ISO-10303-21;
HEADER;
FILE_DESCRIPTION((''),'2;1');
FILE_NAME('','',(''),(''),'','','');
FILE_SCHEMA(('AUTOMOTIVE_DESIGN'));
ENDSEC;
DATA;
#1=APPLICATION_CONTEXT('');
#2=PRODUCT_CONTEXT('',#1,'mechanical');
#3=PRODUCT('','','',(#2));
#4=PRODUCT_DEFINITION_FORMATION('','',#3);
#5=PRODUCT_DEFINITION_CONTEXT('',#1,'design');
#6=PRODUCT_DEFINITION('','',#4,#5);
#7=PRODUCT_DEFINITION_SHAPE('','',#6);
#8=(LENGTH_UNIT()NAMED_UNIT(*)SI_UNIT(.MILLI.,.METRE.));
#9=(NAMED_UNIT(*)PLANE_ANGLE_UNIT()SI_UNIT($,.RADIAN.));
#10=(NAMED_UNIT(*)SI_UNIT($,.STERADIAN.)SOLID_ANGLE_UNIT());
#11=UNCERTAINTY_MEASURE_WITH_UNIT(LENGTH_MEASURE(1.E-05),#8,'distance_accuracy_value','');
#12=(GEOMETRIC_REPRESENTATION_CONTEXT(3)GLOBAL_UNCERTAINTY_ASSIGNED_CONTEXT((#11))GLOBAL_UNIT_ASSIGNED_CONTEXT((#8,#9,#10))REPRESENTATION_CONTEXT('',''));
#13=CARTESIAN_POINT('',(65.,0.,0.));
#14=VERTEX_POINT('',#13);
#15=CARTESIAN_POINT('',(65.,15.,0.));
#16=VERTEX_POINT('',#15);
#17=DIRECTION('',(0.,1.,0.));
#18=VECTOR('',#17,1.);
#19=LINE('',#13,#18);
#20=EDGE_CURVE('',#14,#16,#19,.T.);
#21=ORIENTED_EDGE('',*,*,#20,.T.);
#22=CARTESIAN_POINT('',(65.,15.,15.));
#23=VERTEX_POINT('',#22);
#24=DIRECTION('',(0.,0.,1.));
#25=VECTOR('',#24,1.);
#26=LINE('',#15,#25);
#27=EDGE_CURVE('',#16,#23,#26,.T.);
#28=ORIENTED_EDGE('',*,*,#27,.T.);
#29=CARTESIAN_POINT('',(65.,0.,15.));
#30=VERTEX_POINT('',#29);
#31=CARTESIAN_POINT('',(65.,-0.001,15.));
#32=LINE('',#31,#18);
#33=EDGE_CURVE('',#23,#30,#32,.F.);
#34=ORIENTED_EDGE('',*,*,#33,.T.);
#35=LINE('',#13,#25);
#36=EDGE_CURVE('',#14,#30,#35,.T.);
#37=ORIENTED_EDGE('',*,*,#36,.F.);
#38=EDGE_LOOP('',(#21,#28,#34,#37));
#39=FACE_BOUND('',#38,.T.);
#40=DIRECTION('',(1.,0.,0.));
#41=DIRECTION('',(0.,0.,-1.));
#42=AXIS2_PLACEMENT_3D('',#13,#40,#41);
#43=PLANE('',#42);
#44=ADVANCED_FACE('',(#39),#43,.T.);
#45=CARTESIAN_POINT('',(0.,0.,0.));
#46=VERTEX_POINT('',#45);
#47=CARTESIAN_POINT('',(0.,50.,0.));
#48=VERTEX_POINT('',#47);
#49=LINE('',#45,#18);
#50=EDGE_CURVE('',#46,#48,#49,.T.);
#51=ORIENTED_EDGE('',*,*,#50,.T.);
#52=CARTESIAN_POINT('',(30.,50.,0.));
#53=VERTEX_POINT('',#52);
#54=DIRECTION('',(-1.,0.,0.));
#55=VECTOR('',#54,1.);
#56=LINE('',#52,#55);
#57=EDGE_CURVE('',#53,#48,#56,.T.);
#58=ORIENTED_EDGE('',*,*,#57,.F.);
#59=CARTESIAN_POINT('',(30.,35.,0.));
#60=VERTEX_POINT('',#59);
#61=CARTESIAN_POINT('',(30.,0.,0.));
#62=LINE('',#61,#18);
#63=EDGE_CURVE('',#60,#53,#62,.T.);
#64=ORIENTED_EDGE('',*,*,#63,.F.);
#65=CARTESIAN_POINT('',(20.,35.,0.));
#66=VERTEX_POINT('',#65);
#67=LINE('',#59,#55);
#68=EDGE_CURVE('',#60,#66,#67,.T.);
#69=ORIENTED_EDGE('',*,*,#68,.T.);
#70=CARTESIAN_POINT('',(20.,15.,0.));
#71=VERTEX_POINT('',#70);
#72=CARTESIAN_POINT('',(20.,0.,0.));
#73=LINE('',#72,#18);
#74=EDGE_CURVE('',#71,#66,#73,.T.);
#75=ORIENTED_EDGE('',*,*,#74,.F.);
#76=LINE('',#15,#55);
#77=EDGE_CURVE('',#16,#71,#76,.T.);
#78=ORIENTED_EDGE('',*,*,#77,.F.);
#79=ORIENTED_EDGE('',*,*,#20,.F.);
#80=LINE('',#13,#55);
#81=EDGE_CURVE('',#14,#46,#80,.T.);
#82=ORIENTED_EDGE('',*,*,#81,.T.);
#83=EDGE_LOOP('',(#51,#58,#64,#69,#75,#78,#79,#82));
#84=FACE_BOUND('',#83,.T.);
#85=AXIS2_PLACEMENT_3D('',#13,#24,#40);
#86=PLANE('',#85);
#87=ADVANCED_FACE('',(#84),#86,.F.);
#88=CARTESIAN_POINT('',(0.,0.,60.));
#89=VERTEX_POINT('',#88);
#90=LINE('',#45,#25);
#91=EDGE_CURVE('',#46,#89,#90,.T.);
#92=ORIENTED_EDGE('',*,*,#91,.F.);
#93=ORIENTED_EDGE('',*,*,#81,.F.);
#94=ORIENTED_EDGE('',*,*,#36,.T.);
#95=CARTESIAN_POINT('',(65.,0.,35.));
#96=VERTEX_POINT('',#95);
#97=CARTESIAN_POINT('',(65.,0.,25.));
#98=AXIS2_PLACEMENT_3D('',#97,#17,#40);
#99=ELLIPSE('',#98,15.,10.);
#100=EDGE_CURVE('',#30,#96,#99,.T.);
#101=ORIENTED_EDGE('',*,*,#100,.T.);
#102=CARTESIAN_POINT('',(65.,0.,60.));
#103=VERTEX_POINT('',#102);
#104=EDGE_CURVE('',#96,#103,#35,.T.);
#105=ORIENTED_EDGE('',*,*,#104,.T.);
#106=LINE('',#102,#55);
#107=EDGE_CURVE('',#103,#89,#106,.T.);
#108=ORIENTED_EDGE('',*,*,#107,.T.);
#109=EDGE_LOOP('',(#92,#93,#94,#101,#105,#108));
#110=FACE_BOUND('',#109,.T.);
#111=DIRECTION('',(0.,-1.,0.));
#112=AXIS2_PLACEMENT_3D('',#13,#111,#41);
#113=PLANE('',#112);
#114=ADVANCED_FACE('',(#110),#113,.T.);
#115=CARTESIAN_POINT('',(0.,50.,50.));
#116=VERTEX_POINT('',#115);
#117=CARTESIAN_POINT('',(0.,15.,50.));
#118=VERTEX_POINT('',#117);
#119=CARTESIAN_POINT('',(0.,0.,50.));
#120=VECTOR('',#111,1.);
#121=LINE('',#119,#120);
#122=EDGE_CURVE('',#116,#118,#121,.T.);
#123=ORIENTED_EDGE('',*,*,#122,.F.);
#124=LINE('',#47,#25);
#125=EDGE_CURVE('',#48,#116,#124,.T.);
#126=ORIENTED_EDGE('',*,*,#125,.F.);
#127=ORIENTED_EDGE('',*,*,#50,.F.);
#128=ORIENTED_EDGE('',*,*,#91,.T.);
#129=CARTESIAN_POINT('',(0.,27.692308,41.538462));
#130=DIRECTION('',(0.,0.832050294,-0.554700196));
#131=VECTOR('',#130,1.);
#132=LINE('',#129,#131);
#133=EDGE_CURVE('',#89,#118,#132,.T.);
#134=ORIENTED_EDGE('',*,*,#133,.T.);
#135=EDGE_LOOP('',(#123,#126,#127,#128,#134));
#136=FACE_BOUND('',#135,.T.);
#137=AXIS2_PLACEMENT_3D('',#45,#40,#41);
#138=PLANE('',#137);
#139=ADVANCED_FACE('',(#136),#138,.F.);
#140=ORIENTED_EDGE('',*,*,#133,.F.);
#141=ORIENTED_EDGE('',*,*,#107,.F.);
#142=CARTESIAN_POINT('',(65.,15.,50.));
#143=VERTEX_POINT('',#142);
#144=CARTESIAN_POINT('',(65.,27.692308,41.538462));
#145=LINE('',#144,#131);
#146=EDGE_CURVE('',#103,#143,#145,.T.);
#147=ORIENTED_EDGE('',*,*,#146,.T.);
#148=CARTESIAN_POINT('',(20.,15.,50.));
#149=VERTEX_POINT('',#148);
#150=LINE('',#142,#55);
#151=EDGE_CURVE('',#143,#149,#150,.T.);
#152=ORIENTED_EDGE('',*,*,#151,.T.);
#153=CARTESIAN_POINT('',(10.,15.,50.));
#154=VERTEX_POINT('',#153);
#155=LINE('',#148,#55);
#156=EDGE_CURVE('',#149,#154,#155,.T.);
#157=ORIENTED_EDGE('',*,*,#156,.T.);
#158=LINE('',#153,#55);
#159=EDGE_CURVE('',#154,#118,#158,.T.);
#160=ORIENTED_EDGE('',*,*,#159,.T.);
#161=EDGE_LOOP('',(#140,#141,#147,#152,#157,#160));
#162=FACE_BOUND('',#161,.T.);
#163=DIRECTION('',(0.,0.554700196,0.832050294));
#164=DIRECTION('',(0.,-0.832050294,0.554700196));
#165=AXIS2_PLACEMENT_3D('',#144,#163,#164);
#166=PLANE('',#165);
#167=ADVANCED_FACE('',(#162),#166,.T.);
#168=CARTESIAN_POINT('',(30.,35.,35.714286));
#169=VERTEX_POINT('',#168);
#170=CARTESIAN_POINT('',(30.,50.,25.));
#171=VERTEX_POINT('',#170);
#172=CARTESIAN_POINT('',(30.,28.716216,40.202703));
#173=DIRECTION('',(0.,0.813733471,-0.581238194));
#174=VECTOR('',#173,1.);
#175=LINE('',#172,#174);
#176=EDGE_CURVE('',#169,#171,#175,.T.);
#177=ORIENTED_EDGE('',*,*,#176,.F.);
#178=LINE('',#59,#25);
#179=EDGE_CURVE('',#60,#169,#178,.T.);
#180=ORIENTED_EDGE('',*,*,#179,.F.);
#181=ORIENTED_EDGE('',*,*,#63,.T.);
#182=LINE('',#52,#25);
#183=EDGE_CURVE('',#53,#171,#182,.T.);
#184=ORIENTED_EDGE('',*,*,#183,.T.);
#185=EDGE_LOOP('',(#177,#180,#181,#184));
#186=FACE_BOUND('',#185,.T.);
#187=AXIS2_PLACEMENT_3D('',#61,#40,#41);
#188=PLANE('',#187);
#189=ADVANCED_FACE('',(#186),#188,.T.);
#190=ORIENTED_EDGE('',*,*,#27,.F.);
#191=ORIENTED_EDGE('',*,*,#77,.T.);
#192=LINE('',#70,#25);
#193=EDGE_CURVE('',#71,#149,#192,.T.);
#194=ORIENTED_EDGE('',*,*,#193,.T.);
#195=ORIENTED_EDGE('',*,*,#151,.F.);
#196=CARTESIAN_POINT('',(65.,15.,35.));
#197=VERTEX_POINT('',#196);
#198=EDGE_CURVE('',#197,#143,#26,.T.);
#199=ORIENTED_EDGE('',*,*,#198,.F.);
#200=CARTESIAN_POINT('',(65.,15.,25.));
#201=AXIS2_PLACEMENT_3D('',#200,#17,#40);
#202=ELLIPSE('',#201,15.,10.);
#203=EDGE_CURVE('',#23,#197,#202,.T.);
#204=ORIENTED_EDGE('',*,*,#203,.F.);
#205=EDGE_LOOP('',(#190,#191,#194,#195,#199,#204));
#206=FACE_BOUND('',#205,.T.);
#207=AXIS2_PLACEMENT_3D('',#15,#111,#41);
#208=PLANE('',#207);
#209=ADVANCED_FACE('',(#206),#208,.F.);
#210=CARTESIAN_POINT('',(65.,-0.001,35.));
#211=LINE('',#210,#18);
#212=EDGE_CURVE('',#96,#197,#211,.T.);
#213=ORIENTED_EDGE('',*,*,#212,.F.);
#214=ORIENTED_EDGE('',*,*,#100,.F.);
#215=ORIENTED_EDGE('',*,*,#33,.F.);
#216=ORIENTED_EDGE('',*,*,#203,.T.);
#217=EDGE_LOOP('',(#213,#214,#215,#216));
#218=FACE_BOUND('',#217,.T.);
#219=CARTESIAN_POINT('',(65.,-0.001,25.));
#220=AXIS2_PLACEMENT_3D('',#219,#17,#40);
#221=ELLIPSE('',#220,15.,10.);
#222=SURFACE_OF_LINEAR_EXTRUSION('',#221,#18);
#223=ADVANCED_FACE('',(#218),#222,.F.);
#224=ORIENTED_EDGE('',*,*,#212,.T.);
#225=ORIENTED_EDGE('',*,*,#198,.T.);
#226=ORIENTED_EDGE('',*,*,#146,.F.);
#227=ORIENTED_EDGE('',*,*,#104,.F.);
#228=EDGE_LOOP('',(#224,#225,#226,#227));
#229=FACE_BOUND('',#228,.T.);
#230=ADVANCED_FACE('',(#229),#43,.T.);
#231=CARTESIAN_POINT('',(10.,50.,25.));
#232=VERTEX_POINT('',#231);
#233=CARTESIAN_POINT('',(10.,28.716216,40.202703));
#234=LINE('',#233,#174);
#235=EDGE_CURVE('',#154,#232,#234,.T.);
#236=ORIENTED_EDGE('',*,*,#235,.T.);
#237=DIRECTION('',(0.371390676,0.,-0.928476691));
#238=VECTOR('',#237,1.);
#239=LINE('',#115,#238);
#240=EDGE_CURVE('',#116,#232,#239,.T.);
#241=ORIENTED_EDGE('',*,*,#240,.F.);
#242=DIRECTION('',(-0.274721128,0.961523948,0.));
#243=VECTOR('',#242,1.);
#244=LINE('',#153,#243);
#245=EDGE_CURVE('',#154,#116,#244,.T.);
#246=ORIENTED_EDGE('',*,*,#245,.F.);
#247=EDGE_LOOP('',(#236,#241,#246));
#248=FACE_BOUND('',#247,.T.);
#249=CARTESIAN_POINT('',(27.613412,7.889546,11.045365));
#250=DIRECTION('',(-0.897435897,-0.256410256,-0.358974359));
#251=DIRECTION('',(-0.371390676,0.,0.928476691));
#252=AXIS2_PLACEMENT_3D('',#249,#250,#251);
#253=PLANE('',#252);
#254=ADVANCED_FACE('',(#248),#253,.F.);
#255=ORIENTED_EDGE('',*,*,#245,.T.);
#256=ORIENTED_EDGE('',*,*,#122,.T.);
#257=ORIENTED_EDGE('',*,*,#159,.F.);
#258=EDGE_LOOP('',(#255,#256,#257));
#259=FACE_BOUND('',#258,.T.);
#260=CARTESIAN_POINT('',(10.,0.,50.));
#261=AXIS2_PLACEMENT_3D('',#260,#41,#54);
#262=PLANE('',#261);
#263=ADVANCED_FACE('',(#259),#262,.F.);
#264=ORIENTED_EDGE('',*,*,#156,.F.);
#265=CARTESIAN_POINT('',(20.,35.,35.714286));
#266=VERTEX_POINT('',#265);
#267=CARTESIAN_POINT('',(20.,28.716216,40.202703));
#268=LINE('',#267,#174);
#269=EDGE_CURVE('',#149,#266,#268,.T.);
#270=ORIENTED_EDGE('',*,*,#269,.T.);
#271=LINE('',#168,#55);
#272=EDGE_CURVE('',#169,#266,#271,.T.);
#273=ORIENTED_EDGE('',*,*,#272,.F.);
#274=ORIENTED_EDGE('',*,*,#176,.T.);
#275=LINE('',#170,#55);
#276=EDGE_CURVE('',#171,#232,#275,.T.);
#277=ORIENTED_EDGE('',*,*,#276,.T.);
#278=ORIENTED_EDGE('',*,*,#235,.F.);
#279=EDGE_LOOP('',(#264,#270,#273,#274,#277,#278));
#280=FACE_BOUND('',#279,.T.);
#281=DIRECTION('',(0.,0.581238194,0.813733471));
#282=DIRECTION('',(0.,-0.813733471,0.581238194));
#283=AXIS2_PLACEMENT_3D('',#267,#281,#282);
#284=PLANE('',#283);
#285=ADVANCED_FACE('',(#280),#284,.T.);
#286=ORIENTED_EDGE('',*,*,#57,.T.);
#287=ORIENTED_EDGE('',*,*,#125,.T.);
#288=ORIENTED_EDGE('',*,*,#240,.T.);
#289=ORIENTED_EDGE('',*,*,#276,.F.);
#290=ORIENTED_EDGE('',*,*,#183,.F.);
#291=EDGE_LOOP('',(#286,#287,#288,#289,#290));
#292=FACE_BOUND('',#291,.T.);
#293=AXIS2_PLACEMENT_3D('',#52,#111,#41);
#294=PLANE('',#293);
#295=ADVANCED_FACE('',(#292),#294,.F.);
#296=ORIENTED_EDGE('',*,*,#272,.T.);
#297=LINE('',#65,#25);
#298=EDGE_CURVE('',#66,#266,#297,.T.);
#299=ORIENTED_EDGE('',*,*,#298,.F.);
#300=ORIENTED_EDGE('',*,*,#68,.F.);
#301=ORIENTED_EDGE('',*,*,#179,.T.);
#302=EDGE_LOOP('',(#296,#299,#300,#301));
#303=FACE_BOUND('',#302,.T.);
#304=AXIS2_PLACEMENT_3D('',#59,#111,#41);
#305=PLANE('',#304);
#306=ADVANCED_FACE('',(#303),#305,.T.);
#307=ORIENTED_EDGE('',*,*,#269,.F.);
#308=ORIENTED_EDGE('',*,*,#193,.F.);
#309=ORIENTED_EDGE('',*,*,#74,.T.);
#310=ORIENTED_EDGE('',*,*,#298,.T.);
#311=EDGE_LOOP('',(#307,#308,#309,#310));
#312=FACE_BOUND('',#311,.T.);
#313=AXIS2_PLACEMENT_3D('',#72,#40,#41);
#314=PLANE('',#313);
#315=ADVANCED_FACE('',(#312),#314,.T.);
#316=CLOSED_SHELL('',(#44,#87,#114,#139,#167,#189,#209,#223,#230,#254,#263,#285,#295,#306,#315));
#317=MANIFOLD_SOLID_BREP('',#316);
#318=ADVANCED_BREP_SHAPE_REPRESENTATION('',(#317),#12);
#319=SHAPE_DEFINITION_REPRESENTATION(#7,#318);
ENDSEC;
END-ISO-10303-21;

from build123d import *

# Parameters (mm, degrees)
BOSS_EXTRUDE1_DEPTH = 65
BOSS_EXTRUDE2_DEPTH = 20
BOSS_EXTRUDE3_DEPTH = 30
BOSS_EXTRUDE4_DEPTH = 10
CUT_EXTRUDE1_DEPTH  = 10
CUT_EXTRUDE3_REACH  = 97.131
SKETCH3_RX          = 15
SKETCH3_RY          = 10


with BuildPart() as part:
    # Sketch1 → Boss-Extrude1 (new body)
    with BuildSketch(Plane(origin=(0, 0, 0), x_dir=(0, 0, -1), z_dir=(1, 0, 0))):
        Polygon((0, 0), (0, 15), (-50, 15), (-60, 0), align=None)
    extrude(amount=BOSS_EXTRUDE1_DEPTH)

    # Sketch1<3> → Boss-Extrude2 (add)
    with BuildSketch(Plane(origin=(0, 0, 0), x_dir=(0, 0, -1), z_dir=(1, 0, 0))):
        Polygon((-50, 15), (0, 15), (0, 35), (-35.714285714, 35), align=None)
    extrude(amount=BOSS_EXTRUDE2_DEPTH)

    # Sketch1<4> → Boss-Extrude3 (add)
    with BuildSketch(Plane(origin=(0, 0, 0), x_dir=(0, 0, -1), z_dir=(1, 0, 0))):
        Polygon((-35.714285714, 35), (0, 35), (0, 50), (-25, 50), align=None)
    extrude(amount=BOSS_EXTRUDE3_DEPTH)

    # Sketch1<5> → Boss-Extrude4 (add)
    with BuildSketch(Plane(origin=(0, 0, 0), x_dir=(0, 0, -1), z_dir=(1, 0, 0))):
        Polygon((-50, 50), (-50, 15), (-35.714285714, 35), (-25, 50), align=None)
    extrude(amount=BOSS_EXTRUDE4_DEPTH)

    # Sketch2 → Cut-Extrude1 (cut, along a direction that is not the sketch's normal)
    with BuildSketch(Plane(origin=(27.613412229, 7.889546351, 11.045364892), x_dir=(-0.3451624427428596, -0.09861784078367415, 0.9333474217026305), z_dir=(-0.8974358974358975, -0.2564102564102566, -0.358974358974359))):
        Polygon((41.736479046, 48.076197382), (14.951169076, 45.328986103), (41.736479046, 11.675647936), align=None)
    extrude(amount=-CUT_EXTRUDE1_DEPTH, dir=(-1, 0, 0), mode=Mode.SUBTRACT)

    # Sketch3 → Cut-Extrude3 (cut, up to next)
    with BuildSketch(Plane(origin=(0, 15, 0), x_dir=(1, 0, 0), z_dir=(0, 1, 0)), mode=Mode.PRIVATE) as cut_extrude3_sk1:
        with Locations((65, -25)):
            Ellipse(SKETCH3_RX, SKETCH3_RY)
    cut_extrude3_tool1 = extrude(cut_extrude3_sk1.sketch, amount=-CUT_EXTRUDE3_REACH, mode=Mode.PRIVATE) & part.part
    add(cut_extrude3_tool1.solids().sort_by_distance((65, 15, 25))[0], mode=Mode.SUBTRACT)


solid = part.part
